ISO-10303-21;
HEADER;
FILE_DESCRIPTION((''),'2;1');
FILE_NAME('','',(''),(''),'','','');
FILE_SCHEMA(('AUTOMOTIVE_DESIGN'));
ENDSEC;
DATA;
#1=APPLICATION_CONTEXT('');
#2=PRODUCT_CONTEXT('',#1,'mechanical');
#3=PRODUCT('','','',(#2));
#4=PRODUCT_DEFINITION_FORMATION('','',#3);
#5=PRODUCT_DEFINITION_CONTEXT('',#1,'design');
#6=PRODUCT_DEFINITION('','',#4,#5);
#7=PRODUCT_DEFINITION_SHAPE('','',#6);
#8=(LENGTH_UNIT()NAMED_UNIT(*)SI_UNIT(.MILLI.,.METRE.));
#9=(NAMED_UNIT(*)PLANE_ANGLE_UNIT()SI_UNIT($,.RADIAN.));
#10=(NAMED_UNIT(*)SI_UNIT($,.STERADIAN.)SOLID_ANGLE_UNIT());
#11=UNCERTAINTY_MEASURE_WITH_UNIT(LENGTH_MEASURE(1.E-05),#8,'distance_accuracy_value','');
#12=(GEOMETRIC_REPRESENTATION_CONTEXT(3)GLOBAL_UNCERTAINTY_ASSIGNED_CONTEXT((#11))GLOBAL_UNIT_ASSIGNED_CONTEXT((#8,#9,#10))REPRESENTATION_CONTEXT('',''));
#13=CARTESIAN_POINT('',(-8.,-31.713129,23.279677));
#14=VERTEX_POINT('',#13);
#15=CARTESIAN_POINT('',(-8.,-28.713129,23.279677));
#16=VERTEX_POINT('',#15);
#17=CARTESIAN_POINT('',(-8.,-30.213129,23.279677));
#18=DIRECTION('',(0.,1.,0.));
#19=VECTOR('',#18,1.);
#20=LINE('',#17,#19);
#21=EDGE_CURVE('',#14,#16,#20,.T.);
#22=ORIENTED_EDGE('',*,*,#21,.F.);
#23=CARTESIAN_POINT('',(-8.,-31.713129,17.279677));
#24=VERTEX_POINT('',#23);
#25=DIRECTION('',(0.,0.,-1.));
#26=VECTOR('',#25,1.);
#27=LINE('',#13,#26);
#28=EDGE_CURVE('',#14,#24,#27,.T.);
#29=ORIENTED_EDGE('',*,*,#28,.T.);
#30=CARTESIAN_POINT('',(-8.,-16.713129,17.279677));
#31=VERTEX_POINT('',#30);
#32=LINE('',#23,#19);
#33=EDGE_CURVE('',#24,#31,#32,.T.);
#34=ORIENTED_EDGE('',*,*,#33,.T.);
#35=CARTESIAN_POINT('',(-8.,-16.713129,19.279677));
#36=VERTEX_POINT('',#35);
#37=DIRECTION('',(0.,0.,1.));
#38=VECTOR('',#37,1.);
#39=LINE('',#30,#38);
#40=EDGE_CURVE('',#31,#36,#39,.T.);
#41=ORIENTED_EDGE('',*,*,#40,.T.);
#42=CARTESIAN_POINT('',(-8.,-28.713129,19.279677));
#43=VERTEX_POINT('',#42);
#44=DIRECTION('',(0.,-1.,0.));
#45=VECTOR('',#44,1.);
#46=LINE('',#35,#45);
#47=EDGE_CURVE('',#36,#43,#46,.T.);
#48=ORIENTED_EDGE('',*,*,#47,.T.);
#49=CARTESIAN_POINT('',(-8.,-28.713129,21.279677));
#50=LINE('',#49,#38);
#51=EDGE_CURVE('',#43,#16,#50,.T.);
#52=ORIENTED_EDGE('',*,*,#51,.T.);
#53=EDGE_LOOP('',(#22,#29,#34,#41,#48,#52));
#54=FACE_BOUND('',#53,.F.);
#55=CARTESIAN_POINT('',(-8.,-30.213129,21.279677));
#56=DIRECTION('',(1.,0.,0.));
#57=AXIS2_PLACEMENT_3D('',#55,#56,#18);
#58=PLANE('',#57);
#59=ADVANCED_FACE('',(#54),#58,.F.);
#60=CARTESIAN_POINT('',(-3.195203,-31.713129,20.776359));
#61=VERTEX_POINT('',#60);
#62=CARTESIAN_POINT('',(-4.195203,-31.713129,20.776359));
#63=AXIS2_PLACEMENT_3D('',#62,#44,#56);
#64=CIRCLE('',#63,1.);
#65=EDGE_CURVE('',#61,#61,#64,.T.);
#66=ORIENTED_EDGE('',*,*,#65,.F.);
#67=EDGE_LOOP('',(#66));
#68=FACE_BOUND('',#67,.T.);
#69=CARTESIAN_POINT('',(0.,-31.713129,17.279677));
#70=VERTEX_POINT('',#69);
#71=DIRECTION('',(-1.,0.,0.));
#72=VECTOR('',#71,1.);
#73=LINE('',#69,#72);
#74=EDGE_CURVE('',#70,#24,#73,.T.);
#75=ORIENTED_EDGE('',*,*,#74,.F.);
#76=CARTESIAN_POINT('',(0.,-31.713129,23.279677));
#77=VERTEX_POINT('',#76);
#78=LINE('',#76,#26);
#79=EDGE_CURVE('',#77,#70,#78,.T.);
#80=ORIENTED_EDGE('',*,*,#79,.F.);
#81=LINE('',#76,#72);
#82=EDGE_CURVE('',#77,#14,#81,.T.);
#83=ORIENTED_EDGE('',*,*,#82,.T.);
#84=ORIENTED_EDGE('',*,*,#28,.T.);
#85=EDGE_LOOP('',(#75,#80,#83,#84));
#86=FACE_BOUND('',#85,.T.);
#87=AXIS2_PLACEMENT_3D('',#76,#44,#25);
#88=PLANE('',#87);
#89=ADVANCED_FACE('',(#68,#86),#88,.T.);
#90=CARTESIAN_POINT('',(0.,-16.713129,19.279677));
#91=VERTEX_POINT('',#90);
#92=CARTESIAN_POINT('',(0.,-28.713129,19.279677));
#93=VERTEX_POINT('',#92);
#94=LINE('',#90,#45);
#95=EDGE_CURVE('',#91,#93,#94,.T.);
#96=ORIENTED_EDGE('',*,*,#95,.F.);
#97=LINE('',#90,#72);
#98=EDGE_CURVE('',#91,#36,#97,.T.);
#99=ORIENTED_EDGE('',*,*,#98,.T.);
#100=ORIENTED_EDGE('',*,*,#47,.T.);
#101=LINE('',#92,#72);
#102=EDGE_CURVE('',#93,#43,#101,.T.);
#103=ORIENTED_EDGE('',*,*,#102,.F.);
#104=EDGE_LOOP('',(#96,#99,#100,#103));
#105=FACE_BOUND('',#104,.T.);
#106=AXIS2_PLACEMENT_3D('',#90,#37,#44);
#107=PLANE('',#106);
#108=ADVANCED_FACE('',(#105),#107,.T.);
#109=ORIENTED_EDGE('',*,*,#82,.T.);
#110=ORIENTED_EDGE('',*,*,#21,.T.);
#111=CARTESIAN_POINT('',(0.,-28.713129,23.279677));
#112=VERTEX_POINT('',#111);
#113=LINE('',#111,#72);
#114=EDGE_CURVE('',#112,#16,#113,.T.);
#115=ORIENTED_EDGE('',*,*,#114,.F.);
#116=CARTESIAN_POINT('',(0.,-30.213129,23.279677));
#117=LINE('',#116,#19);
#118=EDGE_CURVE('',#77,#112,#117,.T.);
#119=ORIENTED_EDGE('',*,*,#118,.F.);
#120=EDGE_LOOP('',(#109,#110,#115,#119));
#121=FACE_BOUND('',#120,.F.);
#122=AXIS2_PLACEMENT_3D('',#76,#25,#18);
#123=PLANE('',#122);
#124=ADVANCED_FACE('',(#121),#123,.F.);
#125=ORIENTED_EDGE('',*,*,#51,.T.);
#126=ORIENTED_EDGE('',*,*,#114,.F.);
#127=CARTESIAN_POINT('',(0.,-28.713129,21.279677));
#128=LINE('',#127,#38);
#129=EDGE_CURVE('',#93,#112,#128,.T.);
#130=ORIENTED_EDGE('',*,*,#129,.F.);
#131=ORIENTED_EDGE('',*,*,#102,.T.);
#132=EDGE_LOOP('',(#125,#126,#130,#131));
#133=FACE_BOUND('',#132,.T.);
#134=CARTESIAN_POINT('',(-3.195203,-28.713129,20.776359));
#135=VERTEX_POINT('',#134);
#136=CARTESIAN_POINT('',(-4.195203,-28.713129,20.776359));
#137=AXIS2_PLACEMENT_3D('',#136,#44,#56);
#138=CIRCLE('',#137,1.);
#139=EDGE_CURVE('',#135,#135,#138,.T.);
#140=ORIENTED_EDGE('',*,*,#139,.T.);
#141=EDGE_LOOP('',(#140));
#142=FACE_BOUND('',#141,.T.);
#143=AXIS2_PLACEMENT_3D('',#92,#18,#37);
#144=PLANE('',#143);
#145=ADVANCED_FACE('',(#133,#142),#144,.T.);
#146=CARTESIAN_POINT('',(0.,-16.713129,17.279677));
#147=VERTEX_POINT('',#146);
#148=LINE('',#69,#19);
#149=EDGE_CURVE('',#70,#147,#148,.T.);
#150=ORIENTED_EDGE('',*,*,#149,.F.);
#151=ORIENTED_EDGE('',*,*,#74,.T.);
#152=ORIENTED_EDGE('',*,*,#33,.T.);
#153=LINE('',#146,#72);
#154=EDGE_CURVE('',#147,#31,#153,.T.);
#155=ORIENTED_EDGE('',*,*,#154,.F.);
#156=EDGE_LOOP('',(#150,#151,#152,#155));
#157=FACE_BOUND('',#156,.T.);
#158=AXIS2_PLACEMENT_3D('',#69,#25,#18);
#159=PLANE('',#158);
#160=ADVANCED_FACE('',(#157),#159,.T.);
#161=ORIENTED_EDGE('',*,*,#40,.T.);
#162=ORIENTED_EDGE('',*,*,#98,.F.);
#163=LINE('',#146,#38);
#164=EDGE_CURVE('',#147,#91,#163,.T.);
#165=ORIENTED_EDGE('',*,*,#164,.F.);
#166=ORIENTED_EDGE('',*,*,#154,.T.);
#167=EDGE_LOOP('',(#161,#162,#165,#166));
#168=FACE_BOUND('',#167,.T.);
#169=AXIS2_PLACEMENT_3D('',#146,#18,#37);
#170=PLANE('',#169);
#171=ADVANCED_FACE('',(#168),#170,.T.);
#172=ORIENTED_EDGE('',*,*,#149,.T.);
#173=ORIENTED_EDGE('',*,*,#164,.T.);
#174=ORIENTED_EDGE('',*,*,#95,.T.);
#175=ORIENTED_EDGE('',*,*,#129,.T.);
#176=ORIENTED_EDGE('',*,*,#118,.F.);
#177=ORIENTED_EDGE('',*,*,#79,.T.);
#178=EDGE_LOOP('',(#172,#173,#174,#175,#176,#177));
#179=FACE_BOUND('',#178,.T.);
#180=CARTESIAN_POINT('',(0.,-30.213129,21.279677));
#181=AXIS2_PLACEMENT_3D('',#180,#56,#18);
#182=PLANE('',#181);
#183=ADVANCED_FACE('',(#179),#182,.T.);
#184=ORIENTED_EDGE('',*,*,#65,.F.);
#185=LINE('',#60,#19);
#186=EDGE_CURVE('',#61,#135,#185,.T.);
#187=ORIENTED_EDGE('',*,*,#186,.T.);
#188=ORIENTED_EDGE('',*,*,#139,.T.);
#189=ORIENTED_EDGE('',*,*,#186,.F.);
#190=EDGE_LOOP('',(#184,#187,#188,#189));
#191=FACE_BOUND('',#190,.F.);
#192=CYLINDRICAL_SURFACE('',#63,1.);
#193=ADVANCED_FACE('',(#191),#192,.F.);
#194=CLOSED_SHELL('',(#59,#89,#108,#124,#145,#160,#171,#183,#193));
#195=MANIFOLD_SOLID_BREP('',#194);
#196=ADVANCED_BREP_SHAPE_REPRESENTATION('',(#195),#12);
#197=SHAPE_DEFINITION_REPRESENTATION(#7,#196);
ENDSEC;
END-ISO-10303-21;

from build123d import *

# Parameters (mm, degrees)
F0_W     = 3
F0_H     = 4
F1_DEPTH = 8
F2_R     = 1
F3_DEPTH = 4


with BuildPart() as f1:
    # F0 (on Right) → F1 (new body)
    with BuildSketch(Plane.YZ):
        with Locations((-30.213129, 21.279677)):
            Rectangle(F0_W, F0_H)
        Polygon((-28.713129, 19.279677), (-31.713129, 19.279677), (-31.713129, 17.279677), (-16.713129, 17.279677), (-16.713129, 19.279677), align=None)
    extrude(amount=-F1_DEPTH)

    # F2 (on face) → F3 (cut)
    with BuildSketch(Plane.XZ.offset(31.713129)):
        with Locations((-4.195203, 20.776359)):
            Circle(F2_R)
    extrude(amount=-F3_DEPTH, mode=Mode.SUBTRACT)


solid = f1.part
